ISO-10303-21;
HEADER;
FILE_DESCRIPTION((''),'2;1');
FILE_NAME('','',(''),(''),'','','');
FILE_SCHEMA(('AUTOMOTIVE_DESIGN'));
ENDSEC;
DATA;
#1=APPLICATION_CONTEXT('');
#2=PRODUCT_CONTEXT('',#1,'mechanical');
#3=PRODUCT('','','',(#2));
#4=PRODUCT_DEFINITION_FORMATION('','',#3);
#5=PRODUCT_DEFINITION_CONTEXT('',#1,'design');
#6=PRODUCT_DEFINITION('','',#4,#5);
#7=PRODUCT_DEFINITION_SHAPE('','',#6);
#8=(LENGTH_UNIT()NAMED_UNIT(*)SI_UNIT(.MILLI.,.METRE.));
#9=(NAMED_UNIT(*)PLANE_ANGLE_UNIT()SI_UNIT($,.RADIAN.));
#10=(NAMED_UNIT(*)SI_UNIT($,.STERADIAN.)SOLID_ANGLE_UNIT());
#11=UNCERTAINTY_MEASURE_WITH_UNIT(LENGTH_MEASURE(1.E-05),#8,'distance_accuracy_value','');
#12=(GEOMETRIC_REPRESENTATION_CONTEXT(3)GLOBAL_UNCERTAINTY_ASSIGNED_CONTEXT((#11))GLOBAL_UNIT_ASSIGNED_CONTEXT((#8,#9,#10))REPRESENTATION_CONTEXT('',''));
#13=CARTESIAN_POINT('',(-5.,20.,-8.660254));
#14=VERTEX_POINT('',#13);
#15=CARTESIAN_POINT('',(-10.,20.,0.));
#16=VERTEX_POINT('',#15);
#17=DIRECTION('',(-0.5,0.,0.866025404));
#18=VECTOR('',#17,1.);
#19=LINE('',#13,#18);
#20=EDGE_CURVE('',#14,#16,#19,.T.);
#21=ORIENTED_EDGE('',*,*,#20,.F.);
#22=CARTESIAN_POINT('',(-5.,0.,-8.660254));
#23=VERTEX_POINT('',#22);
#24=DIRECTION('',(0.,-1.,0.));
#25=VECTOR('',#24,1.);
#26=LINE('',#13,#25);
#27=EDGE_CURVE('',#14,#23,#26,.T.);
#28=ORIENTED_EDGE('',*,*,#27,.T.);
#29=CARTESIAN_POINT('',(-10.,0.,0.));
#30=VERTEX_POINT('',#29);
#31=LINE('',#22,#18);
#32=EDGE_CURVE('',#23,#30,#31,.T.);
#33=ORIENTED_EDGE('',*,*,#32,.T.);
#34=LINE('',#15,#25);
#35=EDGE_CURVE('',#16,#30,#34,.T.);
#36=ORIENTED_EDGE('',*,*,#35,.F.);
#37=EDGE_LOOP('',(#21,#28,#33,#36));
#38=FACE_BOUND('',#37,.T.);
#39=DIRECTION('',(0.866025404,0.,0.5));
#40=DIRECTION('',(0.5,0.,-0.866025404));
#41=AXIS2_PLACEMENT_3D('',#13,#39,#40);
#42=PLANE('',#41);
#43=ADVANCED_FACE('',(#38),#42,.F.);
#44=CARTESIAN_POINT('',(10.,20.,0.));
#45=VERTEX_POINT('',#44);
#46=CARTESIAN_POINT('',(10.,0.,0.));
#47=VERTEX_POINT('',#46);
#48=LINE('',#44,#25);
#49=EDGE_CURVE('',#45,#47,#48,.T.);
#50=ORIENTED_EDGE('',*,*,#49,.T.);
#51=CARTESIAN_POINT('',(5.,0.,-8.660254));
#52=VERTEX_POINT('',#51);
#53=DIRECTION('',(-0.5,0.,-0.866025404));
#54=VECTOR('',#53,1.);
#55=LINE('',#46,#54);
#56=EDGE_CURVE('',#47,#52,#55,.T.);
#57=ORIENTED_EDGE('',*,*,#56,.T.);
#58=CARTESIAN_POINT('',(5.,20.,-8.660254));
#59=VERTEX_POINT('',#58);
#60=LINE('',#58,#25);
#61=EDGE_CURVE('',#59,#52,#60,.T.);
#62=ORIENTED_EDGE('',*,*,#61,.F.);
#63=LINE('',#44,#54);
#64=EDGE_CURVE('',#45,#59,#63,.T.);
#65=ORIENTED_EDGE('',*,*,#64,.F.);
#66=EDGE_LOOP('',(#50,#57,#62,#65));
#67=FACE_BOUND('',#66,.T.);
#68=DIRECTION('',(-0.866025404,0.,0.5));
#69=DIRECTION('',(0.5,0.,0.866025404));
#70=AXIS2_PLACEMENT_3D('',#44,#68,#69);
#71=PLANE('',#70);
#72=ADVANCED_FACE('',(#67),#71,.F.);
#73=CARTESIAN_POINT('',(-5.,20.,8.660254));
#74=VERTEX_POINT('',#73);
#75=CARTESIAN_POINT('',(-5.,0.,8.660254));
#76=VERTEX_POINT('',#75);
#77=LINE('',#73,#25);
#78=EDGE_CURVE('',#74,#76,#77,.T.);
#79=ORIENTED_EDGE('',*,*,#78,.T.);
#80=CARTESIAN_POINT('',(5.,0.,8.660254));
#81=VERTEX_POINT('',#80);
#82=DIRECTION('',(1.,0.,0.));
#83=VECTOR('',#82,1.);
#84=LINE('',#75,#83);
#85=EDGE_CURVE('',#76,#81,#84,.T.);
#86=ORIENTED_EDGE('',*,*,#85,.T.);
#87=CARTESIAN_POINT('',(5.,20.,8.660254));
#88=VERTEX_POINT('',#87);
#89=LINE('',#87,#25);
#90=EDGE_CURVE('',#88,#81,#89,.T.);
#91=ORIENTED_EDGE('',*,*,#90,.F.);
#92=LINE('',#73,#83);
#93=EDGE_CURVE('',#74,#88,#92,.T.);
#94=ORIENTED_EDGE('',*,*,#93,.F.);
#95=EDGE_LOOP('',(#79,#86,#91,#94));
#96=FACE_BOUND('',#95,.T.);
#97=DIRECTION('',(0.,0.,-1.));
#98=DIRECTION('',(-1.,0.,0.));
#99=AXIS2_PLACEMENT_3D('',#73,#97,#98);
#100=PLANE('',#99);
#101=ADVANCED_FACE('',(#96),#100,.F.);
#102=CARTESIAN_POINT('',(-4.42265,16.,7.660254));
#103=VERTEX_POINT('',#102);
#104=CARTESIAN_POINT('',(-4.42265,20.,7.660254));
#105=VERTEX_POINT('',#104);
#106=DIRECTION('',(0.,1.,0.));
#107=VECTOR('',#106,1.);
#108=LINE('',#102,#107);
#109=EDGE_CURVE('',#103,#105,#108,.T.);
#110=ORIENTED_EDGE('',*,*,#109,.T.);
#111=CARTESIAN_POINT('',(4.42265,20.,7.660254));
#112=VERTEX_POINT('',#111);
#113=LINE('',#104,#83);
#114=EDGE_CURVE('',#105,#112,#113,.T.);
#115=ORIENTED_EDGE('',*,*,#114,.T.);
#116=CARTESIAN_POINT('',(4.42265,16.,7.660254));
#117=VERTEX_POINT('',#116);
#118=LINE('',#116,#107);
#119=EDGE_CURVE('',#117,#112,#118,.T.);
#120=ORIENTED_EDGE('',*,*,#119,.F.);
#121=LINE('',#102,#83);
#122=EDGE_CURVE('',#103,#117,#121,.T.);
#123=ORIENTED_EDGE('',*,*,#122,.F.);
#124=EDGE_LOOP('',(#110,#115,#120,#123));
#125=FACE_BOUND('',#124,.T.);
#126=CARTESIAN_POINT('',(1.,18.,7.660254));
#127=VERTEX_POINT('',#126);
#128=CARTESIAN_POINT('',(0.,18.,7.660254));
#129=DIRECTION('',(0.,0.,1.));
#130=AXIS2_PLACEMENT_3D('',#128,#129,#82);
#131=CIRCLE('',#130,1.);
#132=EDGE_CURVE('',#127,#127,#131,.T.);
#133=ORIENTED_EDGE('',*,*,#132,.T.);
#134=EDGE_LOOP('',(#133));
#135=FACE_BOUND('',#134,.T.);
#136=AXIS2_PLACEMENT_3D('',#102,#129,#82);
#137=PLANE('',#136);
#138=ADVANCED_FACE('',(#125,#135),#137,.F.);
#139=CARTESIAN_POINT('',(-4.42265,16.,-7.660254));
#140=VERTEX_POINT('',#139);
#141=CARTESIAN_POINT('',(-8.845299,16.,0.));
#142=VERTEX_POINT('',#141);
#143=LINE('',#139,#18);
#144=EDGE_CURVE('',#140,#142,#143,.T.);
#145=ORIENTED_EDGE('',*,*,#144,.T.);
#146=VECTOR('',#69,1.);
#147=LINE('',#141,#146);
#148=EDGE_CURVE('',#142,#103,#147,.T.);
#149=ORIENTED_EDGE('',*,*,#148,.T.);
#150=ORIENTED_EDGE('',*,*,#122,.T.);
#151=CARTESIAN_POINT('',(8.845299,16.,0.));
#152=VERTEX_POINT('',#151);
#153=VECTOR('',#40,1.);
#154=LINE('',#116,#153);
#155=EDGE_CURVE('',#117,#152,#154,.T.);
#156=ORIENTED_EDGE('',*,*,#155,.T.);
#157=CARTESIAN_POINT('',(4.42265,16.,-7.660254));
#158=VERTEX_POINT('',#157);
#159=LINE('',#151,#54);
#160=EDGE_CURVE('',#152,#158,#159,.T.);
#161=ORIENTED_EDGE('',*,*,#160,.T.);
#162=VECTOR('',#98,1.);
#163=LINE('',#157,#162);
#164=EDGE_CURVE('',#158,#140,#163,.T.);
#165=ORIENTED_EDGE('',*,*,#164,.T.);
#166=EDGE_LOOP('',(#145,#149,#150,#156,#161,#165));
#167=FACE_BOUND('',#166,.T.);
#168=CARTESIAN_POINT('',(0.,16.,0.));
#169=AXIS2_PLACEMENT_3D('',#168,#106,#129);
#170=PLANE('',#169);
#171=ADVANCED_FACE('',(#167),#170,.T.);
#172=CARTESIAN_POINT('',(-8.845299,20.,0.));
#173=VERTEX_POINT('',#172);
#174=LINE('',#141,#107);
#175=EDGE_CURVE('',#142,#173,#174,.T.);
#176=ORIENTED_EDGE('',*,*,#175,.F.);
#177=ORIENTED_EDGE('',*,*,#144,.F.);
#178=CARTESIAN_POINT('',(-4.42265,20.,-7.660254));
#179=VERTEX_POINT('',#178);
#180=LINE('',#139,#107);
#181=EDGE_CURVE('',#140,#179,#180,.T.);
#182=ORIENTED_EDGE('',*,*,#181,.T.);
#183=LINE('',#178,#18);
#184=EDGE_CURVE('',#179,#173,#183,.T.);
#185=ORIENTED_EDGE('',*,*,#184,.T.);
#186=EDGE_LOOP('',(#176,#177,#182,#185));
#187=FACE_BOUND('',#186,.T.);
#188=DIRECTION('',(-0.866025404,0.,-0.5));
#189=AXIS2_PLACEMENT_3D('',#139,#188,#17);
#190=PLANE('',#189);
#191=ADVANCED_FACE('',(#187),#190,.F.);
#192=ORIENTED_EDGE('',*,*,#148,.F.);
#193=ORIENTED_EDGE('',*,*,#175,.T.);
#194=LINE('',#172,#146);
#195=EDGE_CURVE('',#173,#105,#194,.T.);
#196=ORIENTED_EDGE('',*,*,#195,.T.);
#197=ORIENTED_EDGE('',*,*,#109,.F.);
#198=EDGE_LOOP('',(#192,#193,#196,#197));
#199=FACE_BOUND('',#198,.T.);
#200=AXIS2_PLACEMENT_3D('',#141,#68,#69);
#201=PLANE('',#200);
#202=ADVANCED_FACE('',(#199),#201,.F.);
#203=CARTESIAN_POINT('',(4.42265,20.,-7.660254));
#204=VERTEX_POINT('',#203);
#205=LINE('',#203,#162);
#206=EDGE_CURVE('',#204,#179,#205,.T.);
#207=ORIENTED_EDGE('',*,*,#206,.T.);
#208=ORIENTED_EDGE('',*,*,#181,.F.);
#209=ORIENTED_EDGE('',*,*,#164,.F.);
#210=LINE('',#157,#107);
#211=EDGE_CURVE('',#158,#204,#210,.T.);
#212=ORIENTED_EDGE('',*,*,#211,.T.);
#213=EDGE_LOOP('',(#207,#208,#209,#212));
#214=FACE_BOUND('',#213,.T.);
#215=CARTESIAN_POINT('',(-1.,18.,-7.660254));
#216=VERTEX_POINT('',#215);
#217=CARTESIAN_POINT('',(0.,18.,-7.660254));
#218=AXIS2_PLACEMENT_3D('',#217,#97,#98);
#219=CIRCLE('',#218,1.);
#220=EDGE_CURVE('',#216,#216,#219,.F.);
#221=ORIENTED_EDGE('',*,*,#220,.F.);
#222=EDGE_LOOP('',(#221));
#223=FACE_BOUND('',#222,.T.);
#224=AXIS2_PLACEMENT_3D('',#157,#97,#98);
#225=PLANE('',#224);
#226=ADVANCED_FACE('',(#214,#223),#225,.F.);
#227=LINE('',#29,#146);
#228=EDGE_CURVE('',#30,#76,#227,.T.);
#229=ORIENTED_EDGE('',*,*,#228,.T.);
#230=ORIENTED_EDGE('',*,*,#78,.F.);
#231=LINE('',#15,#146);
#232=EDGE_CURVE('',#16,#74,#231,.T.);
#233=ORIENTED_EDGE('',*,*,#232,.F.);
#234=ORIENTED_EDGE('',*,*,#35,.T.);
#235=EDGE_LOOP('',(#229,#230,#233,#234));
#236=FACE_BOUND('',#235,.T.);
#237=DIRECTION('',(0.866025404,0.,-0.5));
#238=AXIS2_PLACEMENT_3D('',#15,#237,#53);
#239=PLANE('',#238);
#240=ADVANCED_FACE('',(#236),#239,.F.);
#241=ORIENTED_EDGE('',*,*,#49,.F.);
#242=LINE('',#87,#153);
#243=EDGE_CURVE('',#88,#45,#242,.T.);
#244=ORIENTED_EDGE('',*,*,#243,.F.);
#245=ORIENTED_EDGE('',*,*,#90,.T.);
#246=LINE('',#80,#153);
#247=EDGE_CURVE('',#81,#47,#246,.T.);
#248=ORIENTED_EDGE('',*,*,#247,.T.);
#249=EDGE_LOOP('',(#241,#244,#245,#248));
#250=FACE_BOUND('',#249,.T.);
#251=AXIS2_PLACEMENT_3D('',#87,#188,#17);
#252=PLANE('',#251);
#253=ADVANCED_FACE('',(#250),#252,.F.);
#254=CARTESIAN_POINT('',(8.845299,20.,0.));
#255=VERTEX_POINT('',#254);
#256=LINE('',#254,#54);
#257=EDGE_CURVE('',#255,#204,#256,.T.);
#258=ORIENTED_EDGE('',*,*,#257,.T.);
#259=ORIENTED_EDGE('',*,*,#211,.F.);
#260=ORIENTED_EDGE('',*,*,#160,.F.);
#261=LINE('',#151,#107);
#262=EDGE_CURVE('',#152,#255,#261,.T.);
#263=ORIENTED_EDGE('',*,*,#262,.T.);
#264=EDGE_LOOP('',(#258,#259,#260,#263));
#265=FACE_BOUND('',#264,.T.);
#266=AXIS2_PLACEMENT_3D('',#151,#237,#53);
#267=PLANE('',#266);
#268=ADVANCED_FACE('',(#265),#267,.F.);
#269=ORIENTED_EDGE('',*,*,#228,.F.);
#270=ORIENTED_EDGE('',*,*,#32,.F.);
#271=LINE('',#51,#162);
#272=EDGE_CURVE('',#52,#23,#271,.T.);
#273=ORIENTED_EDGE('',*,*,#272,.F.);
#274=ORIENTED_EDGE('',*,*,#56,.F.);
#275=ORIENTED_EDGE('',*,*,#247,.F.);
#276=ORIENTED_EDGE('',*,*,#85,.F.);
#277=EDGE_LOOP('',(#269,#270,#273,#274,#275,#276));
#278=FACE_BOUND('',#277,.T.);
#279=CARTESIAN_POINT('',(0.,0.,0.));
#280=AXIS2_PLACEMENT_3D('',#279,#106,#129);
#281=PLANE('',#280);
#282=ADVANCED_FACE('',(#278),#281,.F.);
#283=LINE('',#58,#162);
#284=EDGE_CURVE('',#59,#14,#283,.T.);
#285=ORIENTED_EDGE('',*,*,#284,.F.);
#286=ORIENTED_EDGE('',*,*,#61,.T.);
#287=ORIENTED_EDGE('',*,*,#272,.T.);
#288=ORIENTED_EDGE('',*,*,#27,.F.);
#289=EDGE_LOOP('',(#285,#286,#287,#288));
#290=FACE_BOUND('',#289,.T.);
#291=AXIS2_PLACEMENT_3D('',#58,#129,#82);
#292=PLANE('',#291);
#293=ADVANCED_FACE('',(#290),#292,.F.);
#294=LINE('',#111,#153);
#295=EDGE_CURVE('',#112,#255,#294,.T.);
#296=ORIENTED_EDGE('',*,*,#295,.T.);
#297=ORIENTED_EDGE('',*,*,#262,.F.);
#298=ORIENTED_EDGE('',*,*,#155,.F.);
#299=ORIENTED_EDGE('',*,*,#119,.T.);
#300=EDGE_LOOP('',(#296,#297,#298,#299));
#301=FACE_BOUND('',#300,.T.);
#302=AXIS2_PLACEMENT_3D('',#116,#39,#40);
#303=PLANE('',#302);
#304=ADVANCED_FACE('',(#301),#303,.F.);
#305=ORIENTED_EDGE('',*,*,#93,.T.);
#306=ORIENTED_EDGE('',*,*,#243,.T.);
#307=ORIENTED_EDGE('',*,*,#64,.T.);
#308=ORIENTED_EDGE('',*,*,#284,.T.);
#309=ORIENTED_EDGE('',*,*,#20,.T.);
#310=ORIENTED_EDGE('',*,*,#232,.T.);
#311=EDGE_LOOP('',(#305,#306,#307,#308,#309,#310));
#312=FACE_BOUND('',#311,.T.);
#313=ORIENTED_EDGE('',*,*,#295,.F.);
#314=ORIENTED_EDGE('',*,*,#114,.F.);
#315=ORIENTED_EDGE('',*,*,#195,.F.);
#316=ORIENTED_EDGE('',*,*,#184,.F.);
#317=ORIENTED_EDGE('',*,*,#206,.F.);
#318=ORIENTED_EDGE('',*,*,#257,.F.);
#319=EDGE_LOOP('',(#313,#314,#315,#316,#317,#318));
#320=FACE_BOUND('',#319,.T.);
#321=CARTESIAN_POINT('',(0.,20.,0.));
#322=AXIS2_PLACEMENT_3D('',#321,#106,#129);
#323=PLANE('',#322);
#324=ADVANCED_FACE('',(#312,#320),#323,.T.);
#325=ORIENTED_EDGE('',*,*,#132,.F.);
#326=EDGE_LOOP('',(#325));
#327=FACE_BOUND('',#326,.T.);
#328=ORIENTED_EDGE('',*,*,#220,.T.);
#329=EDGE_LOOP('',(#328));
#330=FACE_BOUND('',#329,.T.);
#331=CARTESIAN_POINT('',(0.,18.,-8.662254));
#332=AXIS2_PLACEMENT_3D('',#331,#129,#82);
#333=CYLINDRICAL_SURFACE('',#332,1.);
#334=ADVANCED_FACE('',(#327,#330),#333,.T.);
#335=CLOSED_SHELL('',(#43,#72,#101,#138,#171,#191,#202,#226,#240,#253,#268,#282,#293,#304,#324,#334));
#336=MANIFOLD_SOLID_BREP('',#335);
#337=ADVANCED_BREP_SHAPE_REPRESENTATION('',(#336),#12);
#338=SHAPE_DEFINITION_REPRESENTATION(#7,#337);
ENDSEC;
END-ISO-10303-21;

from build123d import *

# Parameters (mm, degrees)
BOSS_EXTRUDE1_DEPTH             = 20
CUT_EXTRUDE1_DEPTH              = 4
BOSS_EXTRUDE2_REACH             = 10.66
SKETCH4_R                       = 1
BOSS_EXTRUDE2_DIRECTION_2_REACH = 10.66


with BuildPart() as part:
    # Sketch1 → Boss-Extrude1 (new body)
    with BuildSketch(Plane(origin=(0, 0, 0), x_dir=(1, 0, 0), z_dir=(0, 1, 0))):
        Polygon((10, 0), (5, 8.660254038), (-5, 8.660254038), (-10, 0), (-5, -8.660254038), (5, -8.660254038), align=None)
    extrude(amount=BOSS_EXTRUDE1_DEPTH)

    # Sketch3 → Cut-Extrude1 (cut)
    with BuildSketch(Plane(origin=(0, 20, 0), x_dir=(1, 0, 0), z_dir=(0, 1, 0))):
        Polygon((4.422649731, -7.660254038), (8.845299462, 0), (4.422649731, 7.660254038), (-4.422649731, 7.660254038), (-8.845299462, 0), (-4.422649731, -7.660254038), align=None)
    extrude(amount=-CUT_EXTRUDE1_DEPTH, mode=Mode.SUBTRACT)

    # Sketch4 → Boss-Extrude2 (add, up to next)
    with BuildSketch(Plane.XY, mode=Mode.PRIVATE) as boss_extrude2_sk1:
        with Locations((0, 18)):
            Circle(SKETCH4_R)
    boss_extrude2_tool1 = extrude(boss_extrude2_sk1.sketch, amount=BOSS_EXTRUDE2_REACH, mode=Mode.PRIVATE) - part.part
    add(boss_extrude2_tool1.solids().sort_by_distance((0, 18, 0))[0])

    # Sketch4 → Boss-Extrude2 direction 2 (add, up to next)
    with BuildSketch(Plane.XY, mode=Mode.PRIVATE) as boss_extrude2_direction_2_sk1:
        with Locations((0, 18)):
            Circle(SKETCH4_R)
    boss_extrude2_direction_2_tool1 = extrude(boss_extrude2_direction_2_sk1.sketch, amount=-BOSS_EXTRUDE2_DIRECTION_2_REACH, mode=Mode.PRIVATE) - part.part
    add(boss_extrude2_direction_2_tool1.solids().sort_by_distance((0, 18, 0))[0])


solid = part.part
